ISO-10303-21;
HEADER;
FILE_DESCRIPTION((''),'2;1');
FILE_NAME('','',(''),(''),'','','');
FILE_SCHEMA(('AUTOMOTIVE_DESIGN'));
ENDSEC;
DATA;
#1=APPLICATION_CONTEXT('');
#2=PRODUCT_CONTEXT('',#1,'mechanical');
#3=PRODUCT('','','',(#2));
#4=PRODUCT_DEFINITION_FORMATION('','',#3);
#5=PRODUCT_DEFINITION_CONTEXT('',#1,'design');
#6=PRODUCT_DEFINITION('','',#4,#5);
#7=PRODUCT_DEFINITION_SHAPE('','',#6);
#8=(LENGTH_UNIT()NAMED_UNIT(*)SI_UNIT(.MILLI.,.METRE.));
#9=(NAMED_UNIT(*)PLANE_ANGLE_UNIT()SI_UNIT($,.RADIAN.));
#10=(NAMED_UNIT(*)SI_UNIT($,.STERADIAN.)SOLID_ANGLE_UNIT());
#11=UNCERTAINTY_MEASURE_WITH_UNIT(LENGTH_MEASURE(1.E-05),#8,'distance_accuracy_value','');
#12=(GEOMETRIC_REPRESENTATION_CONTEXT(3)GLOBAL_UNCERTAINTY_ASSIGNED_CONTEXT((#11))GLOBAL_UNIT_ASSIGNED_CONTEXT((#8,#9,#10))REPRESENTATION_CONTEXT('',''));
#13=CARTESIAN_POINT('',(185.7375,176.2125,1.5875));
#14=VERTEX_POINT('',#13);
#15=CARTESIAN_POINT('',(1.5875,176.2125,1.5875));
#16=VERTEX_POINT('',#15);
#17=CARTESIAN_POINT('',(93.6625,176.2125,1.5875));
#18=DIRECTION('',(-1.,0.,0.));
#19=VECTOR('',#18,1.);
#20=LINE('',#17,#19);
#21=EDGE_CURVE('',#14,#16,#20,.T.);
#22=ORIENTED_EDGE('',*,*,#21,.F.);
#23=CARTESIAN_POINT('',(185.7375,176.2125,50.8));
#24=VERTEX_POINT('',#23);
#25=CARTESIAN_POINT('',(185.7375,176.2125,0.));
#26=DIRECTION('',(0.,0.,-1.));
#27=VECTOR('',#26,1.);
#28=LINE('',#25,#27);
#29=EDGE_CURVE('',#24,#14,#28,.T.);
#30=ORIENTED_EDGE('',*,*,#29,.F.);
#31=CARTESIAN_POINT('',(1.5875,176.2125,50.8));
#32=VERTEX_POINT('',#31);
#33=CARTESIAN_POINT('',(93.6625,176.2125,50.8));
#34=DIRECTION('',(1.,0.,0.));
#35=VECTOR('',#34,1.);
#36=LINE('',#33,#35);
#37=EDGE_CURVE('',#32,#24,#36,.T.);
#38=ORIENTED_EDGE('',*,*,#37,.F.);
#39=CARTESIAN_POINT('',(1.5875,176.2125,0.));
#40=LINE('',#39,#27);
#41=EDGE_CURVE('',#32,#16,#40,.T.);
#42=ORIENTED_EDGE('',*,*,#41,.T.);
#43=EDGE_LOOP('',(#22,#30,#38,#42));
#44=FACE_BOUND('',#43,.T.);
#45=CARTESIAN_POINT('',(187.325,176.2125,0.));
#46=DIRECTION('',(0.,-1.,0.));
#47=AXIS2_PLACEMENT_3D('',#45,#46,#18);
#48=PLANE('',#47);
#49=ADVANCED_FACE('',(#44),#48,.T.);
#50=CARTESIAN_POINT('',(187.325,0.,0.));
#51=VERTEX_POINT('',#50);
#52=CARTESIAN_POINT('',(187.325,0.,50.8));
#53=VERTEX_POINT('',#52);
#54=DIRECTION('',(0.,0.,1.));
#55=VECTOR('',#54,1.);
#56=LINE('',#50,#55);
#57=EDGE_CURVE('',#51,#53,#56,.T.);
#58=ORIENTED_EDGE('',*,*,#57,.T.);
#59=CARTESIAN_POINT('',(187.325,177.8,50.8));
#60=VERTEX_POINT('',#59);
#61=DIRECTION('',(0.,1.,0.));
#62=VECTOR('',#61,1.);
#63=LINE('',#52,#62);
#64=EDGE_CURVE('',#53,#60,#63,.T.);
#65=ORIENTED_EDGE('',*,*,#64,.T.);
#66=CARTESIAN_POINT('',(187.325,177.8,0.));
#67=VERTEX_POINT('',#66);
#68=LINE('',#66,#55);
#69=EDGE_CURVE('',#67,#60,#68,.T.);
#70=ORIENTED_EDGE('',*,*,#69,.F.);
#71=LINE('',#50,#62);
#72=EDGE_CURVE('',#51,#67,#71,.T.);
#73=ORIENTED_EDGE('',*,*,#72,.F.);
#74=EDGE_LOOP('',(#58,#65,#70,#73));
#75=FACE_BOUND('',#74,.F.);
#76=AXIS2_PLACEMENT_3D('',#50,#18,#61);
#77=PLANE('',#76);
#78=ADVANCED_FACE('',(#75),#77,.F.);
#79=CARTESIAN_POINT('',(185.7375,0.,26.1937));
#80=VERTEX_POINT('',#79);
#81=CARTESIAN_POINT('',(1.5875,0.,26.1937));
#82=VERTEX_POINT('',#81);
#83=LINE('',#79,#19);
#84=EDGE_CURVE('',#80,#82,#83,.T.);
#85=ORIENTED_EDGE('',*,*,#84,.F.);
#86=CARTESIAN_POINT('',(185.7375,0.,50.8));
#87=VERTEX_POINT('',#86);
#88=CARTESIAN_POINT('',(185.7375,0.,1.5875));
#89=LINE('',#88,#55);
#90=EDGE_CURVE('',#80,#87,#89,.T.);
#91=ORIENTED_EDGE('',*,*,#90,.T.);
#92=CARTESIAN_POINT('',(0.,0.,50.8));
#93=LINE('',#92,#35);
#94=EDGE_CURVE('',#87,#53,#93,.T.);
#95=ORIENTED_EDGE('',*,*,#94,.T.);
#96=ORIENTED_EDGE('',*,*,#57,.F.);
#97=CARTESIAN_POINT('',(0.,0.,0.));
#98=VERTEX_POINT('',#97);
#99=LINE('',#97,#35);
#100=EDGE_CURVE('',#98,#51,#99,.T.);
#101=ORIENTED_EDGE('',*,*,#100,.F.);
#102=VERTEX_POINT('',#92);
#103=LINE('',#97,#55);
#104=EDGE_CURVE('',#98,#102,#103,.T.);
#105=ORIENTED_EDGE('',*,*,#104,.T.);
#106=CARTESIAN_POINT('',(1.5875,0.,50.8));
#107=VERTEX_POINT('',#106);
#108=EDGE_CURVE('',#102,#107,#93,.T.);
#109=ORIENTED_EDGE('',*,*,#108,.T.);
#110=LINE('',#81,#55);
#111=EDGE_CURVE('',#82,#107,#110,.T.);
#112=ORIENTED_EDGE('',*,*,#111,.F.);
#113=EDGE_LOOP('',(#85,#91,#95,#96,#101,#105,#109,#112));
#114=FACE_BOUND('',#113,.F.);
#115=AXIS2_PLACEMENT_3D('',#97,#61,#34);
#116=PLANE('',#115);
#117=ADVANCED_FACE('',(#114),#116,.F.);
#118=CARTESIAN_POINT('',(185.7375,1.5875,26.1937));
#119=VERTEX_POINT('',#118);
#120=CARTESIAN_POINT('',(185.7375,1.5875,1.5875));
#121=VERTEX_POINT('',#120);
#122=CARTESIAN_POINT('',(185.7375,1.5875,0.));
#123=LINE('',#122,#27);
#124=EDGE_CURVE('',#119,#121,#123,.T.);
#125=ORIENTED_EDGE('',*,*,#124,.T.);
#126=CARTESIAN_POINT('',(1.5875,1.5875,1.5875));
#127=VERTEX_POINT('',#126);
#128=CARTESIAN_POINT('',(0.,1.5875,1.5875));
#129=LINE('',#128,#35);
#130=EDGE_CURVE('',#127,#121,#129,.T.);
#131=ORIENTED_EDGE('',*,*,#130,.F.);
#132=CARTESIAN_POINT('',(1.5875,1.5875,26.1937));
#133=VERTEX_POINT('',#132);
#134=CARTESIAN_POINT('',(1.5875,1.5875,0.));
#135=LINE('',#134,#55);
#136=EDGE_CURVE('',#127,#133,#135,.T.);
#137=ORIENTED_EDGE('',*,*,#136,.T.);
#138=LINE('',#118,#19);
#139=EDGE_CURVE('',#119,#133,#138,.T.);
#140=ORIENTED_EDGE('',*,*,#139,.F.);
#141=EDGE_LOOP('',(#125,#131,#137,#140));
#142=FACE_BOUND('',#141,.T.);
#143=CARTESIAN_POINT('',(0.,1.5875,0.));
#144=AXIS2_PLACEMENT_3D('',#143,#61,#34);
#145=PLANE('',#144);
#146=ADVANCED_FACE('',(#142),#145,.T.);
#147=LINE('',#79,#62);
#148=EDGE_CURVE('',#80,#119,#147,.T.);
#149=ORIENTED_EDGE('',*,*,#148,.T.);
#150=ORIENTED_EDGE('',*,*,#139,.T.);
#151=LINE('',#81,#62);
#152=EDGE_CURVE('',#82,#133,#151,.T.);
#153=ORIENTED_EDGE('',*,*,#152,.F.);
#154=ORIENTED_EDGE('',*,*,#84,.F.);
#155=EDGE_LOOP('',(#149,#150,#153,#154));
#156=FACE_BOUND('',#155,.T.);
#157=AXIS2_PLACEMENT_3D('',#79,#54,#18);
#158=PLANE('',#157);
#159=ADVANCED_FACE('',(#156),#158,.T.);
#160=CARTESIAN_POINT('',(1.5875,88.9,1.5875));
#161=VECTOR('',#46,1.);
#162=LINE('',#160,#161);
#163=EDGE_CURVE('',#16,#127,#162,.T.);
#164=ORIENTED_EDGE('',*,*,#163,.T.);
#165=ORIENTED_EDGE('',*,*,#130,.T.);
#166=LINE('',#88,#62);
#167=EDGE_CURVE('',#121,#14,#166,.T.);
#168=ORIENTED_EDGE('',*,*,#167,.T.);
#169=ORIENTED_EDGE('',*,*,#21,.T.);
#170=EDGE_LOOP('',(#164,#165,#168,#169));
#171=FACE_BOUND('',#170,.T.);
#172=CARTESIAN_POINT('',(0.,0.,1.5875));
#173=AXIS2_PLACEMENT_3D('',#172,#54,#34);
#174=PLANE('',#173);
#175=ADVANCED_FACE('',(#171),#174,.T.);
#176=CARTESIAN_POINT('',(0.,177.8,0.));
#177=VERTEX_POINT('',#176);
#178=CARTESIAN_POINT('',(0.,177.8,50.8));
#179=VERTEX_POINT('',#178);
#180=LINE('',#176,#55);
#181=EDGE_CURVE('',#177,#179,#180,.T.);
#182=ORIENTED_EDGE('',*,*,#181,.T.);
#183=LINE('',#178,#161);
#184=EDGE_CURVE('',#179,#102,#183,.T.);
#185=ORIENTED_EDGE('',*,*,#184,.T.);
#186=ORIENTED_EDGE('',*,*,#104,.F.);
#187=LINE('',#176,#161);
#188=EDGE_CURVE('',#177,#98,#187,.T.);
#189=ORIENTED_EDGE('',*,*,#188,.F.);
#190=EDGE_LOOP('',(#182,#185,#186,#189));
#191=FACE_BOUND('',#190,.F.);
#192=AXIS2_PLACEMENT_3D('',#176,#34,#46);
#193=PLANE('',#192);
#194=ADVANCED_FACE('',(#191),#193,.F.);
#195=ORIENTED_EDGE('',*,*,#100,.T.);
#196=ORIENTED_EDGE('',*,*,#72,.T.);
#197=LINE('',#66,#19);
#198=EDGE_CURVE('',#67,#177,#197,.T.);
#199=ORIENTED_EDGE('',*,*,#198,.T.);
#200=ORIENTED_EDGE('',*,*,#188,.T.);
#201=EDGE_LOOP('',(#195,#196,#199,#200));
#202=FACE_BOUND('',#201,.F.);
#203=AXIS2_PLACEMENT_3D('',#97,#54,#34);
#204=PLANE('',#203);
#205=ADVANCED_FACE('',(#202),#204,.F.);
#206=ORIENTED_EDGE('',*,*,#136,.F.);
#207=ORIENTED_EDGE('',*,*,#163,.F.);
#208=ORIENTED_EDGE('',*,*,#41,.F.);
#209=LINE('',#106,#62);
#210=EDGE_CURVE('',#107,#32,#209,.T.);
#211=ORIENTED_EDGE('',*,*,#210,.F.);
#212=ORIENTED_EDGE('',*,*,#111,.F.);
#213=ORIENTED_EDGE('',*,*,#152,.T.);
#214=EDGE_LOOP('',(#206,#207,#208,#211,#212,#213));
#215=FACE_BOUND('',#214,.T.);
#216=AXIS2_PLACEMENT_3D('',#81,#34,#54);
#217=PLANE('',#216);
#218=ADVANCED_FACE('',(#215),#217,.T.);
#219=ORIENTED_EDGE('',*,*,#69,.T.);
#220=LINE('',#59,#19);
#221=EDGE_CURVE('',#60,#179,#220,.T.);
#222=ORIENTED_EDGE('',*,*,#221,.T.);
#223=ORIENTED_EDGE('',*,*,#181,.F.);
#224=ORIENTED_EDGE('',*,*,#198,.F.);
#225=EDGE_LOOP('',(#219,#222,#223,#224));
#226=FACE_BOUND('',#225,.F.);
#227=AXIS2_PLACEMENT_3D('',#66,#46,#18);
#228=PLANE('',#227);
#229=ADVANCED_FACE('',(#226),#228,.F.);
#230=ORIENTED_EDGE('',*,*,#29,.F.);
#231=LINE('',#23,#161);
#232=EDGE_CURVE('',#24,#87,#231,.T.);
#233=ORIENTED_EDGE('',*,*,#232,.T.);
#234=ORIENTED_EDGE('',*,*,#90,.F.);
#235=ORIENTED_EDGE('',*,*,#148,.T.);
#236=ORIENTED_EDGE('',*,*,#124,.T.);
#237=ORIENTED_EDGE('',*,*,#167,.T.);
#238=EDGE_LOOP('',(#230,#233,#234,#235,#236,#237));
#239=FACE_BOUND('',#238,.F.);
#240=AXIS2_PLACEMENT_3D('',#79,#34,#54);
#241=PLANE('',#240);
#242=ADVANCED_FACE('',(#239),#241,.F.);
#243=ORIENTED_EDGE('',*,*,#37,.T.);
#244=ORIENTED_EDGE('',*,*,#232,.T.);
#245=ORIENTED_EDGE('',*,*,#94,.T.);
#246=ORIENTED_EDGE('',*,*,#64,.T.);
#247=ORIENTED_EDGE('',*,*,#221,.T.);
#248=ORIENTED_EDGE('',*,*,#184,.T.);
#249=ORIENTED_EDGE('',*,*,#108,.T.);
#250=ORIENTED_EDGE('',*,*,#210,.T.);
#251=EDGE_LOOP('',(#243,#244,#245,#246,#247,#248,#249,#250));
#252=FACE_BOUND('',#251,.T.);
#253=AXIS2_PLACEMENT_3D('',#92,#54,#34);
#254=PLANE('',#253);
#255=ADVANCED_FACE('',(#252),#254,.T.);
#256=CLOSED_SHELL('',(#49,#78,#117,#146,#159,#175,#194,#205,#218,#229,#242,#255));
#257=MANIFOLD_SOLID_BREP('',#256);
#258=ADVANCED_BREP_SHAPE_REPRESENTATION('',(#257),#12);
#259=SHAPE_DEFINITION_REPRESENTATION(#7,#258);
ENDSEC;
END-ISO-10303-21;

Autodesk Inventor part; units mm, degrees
ref_plane "YZ Plane" through (0, 0, 0) normal (1, 0, 0) x (0, 1, 0)
ref_plane "XZ Plane" through (0, 0, 0) normal (0, 1, 0) x (-1, 0, 0)
ref_plane "XY Plane" through (0, 0, 0) normal (0, 0, 1) x (1, 0, 0)
sketch "Sketch1" plane through (0, 0, 0) normal (0, 0, 1) x (1, 0, 0)
  line L0 (0, 0) -> (187.325, 0)
  line L1 (187.325, 0) -> (187.325, 177.8)
  line L2 (187.325, 177.8) -> (0, 177.8)
  line L3 (0, 177.8) -> (0, 0)
  dimension "d0" = 177.8
  dimension "d1" = 187.325
extrude "Extrusion1" add sketch "Sketch1" along normal blind 50.8
shell "Shell1" thickness 1.5875 removed faces 1 at (124.8833, 59.2667, 50.8)
sketch "Sketch2" plane through (0, 0, 0) normal (0, -1, 0) x (1, 0, 0)
  line L0 (185.7375, 1.5875) -> (185.7375, 50.8) projected
  line L1 (1.5875, 50.8) -> (185.7375, 50.8)
  line L2 (185.7375, 50.8) -> (185.7375, 26.1937)
  line L3 (185.7375, 26.1937) -> (1.5875, 26.1937)
  line L4 (1.5875, 26.1937) -> (1.5875, 50.8)
  line L5 (1.5875, 1.5875) -> (1.5875, 50.8) projected
  line L6 (0, 50.8) -> (187.325, 50.8) projected
  point P0 (0, 0)
  point P1 (1.5875, 26.1937)
  point P2 (93.6625, 50.8)
extrude "Extrusion2" cut sketch "Sketch2" against normal up to surface (1.5875 mm away)
properties part number "BatteryHolder-ver1-1111-2019" material "Aluminum 6061"
